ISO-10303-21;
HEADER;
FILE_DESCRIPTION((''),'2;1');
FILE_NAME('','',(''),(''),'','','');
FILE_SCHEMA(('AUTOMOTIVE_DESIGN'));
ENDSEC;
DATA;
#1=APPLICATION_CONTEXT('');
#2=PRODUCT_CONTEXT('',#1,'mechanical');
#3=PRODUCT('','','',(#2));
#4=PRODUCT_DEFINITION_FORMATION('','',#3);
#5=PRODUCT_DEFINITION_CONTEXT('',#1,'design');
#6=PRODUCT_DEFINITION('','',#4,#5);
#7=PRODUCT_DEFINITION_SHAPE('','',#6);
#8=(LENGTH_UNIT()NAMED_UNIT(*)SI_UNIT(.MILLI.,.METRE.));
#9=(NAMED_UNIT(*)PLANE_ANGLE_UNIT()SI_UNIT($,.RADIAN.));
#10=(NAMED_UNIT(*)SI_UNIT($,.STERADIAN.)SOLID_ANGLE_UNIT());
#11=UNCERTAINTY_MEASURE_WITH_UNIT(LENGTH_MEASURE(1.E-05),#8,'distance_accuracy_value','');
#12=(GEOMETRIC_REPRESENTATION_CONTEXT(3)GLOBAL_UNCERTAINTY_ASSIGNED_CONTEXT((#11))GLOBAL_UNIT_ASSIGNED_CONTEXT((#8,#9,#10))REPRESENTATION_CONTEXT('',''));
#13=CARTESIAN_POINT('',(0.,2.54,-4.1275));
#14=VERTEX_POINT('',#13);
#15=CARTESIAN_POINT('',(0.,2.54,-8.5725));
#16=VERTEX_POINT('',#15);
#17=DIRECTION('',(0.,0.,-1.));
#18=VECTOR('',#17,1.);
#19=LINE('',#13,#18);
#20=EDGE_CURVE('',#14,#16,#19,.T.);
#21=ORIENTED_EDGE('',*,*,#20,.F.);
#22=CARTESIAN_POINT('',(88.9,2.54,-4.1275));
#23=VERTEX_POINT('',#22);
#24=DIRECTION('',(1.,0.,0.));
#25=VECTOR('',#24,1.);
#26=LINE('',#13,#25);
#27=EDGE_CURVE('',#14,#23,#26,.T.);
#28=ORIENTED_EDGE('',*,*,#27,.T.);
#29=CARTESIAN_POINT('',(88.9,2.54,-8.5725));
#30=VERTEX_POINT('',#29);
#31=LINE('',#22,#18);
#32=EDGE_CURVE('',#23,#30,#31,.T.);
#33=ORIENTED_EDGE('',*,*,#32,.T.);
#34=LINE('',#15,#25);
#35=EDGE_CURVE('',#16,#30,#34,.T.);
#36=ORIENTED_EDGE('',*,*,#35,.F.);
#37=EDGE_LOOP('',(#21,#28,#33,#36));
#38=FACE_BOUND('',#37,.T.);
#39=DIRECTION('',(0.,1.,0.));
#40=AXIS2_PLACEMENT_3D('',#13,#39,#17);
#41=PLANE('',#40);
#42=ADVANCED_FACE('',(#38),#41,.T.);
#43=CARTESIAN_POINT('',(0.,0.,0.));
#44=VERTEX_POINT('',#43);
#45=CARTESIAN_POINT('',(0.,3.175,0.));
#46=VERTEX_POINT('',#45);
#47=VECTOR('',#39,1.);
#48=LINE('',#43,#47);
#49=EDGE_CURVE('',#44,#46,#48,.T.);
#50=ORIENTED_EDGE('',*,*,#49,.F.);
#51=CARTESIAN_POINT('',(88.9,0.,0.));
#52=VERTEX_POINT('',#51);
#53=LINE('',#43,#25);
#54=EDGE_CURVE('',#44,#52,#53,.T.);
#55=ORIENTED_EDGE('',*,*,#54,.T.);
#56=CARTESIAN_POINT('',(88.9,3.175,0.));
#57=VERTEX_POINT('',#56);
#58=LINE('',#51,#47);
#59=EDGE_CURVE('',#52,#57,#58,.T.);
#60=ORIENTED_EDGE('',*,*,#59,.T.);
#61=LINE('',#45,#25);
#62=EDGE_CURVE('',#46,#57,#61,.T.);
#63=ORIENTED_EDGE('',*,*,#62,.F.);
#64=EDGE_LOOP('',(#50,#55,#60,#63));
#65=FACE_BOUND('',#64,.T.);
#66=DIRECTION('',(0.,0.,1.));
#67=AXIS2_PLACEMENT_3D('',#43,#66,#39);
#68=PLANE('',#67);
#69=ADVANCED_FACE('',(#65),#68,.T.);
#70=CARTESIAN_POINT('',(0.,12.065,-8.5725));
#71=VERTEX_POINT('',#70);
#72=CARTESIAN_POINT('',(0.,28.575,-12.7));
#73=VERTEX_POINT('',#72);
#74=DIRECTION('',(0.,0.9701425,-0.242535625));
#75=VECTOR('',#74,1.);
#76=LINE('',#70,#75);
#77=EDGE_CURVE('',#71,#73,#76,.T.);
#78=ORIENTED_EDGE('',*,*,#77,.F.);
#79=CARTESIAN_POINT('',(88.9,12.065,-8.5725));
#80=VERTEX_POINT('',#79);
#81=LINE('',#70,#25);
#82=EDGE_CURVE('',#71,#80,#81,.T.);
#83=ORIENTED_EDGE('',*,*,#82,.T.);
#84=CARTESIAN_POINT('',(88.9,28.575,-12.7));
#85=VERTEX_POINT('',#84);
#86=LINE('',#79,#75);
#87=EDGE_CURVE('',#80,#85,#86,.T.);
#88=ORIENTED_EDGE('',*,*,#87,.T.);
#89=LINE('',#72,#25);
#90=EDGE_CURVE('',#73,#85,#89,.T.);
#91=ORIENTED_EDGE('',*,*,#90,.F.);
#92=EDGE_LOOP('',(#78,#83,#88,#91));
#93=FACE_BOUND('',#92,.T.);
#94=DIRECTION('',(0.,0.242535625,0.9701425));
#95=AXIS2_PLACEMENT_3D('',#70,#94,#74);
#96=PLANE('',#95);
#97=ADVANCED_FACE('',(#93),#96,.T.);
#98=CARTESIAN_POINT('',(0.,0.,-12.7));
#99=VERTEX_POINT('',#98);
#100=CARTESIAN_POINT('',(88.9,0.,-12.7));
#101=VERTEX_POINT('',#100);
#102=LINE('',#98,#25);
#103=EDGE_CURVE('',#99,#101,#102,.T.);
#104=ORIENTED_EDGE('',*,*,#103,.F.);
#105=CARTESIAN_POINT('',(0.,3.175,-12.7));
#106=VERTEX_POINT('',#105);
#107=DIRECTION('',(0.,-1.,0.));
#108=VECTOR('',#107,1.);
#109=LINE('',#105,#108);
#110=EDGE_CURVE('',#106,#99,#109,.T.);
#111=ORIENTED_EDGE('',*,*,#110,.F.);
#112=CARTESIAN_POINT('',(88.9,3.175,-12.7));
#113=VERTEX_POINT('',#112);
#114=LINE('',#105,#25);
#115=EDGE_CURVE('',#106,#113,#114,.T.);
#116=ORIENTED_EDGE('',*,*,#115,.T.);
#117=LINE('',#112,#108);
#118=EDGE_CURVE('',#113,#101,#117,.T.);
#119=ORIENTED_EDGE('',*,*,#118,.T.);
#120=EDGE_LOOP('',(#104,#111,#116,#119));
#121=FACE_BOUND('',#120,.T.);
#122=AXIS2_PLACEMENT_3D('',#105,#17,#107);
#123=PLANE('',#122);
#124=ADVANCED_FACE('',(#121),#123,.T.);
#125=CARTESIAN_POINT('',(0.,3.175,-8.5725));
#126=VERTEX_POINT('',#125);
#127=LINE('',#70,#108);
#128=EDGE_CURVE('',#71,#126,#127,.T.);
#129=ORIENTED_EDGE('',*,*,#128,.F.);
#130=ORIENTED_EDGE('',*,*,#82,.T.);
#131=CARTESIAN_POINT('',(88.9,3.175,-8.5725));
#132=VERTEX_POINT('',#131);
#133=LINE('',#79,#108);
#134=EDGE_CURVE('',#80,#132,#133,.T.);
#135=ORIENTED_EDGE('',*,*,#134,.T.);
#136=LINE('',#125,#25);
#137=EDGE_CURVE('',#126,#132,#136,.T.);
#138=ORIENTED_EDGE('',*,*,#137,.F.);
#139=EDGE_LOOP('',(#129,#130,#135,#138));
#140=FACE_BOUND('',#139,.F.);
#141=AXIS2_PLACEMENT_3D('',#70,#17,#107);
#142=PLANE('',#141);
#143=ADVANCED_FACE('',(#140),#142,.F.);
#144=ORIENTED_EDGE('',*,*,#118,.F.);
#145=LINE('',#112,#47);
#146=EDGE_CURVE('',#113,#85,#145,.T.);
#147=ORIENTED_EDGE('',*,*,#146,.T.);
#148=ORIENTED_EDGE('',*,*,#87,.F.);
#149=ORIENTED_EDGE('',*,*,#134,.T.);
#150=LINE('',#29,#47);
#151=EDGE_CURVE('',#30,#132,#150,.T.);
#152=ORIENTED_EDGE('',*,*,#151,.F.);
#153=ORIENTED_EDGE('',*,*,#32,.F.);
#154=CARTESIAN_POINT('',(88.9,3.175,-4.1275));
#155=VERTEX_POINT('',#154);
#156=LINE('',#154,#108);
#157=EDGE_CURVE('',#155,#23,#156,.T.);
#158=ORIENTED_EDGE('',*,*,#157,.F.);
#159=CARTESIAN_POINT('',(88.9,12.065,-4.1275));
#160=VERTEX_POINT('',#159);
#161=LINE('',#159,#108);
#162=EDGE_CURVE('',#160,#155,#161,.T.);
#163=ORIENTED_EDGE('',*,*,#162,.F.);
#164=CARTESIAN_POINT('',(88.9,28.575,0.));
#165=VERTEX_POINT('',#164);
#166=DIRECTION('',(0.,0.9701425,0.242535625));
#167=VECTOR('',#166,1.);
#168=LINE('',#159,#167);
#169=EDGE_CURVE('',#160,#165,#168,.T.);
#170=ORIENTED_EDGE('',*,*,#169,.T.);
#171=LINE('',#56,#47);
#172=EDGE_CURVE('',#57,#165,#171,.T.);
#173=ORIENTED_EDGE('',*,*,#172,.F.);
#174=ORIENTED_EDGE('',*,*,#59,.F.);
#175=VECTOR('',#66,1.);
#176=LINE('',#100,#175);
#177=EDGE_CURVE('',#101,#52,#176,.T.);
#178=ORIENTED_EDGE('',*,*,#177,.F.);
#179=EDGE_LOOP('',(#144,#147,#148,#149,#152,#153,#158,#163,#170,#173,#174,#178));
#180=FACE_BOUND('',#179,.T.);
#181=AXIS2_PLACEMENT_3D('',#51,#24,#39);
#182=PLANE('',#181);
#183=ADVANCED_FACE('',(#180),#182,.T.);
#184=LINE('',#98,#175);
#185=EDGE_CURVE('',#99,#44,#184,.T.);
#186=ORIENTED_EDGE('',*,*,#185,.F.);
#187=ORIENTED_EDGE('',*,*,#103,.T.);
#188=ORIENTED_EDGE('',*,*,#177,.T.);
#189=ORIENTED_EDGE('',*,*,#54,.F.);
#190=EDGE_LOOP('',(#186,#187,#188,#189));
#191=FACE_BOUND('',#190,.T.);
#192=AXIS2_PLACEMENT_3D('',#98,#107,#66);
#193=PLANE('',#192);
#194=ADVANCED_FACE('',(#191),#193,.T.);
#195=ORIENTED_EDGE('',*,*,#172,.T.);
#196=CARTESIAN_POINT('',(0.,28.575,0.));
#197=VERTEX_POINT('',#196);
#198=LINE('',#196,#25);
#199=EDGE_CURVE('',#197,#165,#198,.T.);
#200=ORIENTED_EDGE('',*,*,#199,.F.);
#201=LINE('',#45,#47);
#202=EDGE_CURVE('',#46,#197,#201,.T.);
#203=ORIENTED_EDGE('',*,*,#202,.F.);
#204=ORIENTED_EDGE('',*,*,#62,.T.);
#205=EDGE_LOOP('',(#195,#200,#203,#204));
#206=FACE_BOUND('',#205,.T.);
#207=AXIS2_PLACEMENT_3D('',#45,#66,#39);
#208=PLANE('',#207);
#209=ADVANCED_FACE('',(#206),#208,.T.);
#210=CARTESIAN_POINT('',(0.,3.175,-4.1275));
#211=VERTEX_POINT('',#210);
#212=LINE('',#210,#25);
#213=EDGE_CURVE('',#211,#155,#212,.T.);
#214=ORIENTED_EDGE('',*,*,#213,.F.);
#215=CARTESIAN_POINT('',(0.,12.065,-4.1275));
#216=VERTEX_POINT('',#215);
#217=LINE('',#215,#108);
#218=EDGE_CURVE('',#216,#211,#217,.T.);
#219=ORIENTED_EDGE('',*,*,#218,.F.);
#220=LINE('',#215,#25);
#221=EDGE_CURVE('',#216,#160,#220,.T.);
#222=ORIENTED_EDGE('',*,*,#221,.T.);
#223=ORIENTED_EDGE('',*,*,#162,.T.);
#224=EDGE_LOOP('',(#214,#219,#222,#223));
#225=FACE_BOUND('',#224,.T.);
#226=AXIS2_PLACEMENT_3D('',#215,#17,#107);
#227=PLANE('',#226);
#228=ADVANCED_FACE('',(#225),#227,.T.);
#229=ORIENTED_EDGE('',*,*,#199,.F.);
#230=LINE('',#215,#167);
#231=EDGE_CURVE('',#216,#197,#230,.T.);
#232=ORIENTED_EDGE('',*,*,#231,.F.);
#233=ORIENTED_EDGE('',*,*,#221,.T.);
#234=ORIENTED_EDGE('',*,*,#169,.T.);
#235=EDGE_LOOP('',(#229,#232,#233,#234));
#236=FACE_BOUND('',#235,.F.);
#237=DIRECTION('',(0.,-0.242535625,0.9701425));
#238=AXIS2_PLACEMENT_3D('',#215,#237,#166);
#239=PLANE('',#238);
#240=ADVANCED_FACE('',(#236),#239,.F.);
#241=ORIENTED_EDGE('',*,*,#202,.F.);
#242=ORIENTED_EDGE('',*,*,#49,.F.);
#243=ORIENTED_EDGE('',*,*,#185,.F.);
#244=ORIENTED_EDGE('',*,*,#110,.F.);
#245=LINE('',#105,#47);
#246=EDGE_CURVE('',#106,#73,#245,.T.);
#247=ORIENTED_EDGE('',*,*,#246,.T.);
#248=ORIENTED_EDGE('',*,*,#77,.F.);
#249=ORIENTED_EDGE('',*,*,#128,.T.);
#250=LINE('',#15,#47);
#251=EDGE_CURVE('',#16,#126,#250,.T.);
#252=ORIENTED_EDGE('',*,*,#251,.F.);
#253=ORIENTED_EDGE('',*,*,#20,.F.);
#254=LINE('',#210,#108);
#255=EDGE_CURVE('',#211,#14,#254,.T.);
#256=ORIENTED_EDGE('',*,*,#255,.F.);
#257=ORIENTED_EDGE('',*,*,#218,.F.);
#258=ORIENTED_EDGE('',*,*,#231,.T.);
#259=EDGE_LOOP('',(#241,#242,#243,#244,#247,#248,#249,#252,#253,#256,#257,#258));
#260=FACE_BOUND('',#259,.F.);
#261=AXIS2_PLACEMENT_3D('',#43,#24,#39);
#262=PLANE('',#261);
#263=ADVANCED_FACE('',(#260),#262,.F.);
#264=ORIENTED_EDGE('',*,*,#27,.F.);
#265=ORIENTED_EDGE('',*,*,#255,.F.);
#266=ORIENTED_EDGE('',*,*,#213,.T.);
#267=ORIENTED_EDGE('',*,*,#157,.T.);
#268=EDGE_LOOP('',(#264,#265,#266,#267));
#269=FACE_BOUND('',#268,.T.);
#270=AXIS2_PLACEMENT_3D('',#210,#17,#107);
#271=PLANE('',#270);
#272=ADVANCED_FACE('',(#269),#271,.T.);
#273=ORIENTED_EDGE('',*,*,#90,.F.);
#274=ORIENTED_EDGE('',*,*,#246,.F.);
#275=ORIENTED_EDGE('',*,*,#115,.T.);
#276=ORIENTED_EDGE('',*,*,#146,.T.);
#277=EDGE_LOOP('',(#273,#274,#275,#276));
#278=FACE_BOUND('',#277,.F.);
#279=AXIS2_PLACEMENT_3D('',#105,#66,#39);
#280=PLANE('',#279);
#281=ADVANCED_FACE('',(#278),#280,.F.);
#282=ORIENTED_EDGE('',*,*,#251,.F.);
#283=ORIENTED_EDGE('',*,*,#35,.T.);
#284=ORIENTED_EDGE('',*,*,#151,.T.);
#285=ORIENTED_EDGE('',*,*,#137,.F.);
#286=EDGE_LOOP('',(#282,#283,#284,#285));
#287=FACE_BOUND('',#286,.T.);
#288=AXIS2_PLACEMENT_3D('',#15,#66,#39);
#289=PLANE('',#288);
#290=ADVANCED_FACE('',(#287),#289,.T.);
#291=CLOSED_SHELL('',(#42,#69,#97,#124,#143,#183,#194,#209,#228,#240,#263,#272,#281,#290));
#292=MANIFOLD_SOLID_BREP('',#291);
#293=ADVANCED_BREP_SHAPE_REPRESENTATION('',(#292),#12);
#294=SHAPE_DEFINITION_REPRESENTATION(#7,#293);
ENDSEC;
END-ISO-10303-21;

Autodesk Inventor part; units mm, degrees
ref_plane "YZ Plane" through (0, 0, 0) normal (1, 0, 0) x (0, 1, 0)
ref_plane "XZ Plane" through (0, 0, 0) normal (0, 1, 0) x (-1, 0, 0)
ref_plane "XY Plane" through (0, 0, 0) normal (0, 0, 1) x (1, 0, 0)
sketch "Sketch1" plane through (0, 0, 0) normal (1, 0, 0) x (0, 1, 0)
  line L0 (0, 0) -> (3.175, 0)
  line L1 (3.175, -12.7) -> (0, -12.7)
  line L2 (0, -12.7) -> (0, 0)
  line L3 (3.175, 0) -> (28.575, 0)
  line L4 (3.175, -12.7) -> (28.575, -12.7)
  line L5 (12.065, -4.1275) -> (28.575, 0)
  line L6 (12.065, -8.5725) -> (28.575, -12.7)
  line L7 (12.065, -4.1275) -> (3.175, -4.1275)
  line L8 (12.065, -8.5725) -> (3.175, -8.5725)
  line L9 (3.175, -4.1275) -> (2.54, -4.1275)
  line L10 (2.54, -4.1275) -> (2.54, -8.5725)
  line L11 (2.54, -8.5725) -> (3.175, -8.5725)
  dimension "d0" = 3.175
  dimension "d1" = 12.7
  dimension "d2" = 25.4
  dimension "d5" = 0.635
extrude "Extrusion1" add sketch "Sketch1" along normal blind 88.9
properties part number "edge holder"
